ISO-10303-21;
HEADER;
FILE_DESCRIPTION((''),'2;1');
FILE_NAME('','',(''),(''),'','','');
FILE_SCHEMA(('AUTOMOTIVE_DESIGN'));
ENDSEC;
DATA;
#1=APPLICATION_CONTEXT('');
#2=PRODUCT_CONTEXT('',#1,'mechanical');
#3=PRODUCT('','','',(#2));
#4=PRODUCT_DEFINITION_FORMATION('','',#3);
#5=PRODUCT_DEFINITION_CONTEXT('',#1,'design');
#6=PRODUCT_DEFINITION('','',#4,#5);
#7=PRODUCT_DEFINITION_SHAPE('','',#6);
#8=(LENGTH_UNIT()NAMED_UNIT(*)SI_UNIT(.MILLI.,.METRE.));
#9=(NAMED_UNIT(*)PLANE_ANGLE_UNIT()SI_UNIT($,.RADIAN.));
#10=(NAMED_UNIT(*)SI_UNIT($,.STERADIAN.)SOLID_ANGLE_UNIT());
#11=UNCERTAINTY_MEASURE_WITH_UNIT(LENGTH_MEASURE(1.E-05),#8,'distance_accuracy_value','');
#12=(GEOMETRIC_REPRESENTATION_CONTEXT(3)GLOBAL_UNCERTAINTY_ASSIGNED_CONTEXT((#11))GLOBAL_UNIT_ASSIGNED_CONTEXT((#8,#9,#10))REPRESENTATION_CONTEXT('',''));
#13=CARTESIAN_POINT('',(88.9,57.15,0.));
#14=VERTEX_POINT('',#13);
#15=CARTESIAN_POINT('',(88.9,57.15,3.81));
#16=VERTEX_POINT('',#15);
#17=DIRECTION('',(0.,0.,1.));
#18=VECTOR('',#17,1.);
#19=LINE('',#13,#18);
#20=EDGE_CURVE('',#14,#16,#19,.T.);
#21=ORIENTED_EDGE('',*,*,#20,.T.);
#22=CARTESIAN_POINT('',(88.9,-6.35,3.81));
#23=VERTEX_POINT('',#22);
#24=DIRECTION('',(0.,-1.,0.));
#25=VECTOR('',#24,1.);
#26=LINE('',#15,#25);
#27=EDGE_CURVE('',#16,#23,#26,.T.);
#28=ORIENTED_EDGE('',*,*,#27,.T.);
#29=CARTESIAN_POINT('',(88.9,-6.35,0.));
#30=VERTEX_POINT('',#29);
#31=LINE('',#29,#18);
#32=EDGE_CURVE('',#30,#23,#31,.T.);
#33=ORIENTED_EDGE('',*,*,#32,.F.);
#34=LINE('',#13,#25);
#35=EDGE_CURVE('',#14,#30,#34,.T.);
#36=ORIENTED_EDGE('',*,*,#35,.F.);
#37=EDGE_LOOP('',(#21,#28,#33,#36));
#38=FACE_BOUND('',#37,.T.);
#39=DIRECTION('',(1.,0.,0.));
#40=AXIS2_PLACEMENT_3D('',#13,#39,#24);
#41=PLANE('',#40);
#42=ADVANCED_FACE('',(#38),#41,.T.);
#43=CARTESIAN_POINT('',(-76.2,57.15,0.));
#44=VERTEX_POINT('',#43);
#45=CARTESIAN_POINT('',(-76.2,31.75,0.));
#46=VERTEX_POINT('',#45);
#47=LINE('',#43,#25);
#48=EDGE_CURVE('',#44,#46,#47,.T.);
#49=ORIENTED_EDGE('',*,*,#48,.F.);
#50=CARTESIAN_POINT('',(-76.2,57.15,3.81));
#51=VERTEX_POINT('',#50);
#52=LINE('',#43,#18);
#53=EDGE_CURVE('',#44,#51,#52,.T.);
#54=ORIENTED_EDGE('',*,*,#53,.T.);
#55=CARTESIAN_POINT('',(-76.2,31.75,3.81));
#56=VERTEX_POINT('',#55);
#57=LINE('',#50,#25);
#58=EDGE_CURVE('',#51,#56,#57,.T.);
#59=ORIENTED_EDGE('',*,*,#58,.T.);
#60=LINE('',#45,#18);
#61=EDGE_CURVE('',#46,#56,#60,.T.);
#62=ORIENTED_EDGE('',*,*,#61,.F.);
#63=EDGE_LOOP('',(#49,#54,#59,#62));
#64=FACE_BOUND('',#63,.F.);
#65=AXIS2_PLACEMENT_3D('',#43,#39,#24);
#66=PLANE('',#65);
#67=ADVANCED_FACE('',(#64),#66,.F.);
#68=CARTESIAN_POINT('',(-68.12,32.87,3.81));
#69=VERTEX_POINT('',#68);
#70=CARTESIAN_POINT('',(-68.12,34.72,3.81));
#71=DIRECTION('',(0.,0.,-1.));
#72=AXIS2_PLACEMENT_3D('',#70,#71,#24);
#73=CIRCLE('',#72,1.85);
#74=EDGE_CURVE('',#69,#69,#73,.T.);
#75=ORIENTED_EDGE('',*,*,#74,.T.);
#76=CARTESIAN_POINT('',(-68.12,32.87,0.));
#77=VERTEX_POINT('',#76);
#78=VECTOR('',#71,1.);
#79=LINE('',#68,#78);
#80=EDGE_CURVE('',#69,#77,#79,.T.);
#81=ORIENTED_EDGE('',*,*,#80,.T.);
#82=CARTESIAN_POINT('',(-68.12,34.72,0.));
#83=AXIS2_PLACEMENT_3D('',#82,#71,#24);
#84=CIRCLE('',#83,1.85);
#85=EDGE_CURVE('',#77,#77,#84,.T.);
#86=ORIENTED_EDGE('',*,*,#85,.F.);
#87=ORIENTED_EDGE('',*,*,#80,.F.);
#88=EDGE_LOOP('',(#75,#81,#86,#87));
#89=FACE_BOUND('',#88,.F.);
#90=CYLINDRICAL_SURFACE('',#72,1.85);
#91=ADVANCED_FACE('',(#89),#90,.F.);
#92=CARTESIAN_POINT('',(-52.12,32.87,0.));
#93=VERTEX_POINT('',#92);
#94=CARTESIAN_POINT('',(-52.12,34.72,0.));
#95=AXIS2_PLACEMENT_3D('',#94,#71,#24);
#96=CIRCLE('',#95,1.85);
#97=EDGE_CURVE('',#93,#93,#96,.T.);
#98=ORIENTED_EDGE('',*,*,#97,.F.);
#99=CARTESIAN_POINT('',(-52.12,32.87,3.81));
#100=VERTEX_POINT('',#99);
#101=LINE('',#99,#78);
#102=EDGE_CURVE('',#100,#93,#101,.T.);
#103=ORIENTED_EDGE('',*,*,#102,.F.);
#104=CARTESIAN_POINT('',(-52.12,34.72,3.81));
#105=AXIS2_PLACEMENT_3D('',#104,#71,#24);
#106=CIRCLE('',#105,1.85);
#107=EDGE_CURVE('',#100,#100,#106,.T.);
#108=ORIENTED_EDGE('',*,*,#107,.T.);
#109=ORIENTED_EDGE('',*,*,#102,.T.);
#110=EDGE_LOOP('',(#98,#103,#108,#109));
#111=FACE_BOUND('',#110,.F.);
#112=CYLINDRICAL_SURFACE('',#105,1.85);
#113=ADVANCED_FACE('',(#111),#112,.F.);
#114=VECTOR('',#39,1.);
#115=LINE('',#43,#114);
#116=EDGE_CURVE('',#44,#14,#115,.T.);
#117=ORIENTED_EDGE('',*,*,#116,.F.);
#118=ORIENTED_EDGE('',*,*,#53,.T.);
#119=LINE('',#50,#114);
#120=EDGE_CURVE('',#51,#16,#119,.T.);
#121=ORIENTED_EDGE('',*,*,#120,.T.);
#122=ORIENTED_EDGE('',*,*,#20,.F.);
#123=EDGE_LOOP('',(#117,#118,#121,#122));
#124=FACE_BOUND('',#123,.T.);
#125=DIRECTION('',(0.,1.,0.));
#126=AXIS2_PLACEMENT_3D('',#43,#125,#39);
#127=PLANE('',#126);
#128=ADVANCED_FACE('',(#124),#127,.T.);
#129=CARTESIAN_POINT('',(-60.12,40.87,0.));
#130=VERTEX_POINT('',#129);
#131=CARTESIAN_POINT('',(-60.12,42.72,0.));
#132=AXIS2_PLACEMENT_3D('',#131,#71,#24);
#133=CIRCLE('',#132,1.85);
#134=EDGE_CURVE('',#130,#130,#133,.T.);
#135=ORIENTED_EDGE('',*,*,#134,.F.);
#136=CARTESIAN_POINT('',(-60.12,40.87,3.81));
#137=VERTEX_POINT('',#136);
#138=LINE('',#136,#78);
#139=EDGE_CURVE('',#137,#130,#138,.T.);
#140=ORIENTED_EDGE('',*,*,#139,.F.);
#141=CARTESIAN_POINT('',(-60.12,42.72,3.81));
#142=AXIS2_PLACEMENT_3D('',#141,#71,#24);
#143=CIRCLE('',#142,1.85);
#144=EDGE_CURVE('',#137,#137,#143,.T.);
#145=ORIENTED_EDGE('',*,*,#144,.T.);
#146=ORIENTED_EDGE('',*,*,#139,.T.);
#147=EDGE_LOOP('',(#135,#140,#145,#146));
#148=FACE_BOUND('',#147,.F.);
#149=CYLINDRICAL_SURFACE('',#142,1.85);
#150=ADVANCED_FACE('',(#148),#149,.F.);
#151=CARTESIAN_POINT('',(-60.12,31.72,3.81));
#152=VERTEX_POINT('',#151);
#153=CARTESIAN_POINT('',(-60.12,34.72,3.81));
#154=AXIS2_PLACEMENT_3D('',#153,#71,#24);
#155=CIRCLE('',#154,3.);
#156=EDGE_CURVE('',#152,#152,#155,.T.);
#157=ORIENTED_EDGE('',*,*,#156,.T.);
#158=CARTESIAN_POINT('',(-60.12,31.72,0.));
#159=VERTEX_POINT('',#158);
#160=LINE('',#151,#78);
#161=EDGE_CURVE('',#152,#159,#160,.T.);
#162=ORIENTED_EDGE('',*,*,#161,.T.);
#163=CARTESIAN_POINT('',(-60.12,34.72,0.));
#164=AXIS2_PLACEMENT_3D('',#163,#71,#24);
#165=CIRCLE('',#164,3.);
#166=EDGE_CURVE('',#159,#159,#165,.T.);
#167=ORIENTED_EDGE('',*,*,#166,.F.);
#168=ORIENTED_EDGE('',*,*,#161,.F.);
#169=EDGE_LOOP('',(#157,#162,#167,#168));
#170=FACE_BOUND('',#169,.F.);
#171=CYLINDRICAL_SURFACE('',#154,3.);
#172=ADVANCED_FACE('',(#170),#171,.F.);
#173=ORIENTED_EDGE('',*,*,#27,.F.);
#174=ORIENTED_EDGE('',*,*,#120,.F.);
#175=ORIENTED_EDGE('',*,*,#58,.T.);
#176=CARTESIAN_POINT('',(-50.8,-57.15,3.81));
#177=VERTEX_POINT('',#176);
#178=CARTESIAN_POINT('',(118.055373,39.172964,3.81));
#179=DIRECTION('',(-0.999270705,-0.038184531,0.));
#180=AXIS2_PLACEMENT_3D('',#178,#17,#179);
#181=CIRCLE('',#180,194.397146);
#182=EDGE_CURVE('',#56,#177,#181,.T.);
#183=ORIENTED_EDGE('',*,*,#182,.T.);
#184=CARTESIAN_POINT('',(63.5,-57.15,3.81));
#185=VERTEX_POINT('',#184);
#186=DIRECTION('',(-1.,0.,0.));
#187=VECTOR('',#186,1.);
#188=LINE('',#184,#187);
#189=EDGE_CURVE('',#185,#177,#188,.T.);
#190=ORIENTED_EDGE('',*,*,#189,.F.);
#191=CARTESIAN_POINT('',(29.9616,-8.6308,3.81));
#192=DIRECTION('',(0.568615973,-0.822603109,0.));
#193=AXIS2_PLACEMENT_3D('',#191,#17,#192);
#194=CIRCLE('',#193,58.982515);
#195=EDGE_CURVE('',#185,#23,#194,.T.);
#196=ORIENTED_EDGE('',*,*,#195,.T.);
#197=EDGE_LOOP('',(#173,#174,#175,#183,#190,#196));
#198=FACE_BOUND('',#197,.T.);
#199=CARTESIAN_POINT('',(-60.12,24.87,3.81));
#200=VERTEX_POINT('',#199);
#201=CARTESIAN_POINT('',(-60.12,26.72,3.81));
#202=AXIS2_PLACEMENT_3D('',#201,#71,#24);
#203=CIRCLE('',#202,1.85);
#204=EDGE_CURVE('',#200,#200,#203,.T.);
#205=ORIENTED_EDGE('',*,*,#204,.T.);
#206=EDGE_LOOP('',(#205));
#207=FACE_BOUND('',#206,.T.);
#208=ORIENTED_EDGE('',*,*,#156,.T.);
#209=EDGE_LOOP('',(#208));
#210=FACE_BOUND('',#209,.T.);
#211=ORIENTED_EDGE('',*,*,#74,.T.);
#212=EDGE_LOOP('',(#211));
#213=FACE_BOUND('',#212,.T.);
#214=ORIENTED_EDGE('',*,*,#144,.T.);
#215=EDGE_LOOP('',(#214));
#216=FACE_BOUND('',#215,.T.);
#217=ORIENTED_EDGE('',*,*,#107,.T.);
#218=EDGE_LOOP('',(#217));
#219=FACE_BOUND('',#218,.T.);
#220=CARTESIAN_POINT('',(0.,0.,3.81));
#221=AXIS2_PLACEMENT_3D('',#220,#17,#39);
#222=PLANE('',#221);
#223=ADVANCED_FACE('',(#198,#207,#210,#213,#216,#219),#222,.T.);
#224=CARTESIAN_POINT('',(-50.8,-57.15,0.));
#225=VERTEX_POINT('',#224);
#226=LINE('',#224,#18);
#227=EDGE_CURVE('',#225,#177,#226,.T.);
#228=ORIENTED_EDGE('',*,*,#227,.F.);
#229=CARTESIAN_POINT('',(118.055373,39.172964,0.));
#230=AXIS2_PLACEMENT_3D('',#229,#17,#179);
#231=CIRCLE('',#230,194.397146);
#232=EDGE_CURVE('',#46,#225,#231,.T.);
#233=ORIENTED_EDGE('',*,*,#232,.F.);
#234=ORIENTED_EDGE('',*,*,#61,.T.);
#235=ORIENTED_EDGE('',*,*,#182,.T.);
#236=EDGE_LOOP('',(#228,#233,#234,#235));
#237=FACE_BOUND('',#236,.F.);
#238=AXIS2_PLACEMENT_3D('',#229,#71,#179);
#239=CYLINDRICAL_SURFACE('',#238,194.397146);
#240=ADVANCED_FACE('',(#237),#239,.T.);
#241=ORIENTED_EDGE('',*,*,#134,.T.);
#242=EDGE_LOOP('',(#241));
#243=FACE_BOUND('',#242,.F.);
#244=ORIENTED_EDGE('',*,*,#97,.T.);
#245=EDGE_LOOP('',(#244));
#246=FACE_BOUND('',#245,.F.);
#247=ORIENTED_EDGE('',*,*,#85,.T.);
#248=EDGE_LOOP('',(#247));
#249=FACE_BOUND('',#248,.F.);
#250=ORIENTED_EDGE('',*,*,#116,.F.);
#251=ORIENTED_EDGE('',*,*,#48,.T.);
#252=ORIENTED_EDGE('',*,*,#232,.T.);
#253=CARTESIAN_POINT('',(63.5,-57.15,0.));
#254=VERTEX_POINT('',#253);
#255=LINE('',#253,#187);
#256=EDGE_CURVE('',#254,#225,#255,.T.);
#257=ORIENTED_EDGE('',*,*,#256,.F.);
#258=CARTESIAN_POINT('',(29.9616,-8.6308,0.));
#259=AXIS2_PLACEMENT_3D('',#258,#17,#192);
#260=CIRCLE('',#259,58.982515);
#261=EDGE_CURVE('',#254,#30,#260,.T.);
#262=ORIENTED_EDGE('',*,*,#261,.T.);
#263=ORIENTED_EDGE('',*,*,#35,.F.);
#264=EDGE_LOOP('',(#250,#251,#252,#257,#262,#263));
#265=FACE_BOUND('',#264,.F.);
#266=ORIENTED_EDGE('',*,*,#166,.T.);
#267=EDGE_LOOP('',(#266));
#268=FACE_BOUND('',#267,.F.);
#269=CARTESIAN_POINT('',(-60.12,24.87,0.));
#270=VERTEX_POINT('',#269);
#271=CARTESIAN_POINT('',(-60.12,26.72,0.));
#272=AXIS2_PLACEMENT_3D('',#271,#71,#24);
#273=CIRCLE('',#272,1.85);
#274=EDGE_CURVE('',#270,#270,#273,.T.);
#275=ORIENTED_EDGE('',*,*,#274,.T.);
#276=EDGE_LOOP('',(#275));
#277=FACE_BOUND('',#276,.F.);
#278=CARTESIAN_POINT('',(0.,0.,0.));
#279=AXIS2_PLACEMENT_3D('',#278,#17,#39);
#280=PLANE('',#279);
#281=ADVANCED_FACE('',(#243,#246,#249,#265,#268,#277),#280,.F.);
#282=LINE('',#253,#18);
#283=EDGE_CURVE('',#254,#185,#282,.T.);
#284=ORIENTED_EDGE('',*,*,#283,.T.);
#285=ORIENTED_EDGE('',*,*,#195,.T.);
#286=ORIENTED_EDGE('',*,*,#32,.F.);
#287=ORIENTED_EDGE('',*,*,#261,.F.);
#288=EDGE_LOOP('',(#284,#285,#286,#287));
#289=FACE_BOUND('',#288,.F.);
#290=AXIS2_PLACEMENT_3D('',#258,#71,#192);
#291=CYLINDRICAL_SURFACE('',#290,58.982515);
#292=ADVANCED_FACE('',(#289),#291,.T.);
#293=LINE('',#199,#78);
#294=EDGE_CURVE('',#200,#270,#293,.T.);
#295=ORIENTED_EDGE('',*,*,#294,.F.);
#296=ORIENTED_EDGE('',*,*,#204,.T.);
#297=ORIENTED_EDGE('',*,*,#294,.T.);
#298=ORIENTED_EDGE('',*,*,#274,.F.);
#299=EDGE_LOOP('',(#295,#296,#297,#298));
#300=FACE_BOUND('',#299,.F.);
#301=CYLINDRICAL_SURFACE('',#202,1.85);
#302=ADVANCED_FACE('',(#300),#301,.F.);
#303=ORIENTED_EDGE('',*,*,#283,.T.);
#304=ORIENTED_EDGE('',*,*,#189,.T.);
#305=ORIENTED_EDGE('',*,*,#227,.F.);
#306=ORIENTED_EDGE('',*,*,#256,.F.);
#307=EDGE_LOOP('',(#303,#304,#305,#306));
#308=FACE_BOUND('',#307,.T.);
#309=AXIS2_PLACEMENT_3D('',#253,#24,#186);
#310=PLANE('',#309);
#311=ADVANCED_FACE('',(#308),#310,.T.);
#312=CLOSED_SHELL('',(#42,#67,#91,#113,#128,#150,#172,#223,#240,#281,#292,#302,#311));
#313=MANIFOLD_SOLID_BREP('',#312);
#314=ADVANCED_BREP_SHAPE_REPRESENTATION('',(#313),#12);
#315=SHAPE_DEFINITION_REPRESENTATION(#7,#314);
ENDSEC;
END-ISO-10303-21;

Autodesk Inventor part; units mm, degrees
ref_plane "YZ Plane" through (0, 0, 0) normal (1, 0, 0) x (0, 1, 0)
ref_plane "XZ Plane" through (0, 0, 0) normal (0, 1, 0) x (-1, 0, 0)
ref_plane "XY Plane" through (0, 0, 0) normal (0, 0, 1) x (1, 0, 0)
sketch "Sketch1" plane through (0, 0, 0) normal (0, 0, 1) x (1, 0, 0)
  line L0 (-76.2, 57.15) -> (88.9, 57.15)
  line L1 (88.9, -57.15) -> (-76.2, 57.15) construction
  line L2 (-76.2, -57.15) -> (88.9, 57.15) construction
  line L3 (-76.2, 57.15) -> (-76.2, 31.75)
  arc A0 (-76.2, 31.75) -> (-50.8, -57.15) centre (118.0556, 39.173) ccw
  arc A1 (63.5, -57.15) -> (88.9, -6.35) centre (29.9616, -8.6308) ccw
  line L4 (88.9, 57.15) -> (88.9, -6.35)
  line L5 (63.5, -57.15) -> (-50.8, -57.15)
  point P0 (6.35, 0)
  dimension "d21" = 165.1
  dimension "d22" = 114.3
  dimension "d23" = 25.4
  dimension "d24" = 25.4
  dimension "d25" = 50.8
  dimension "d26" = 25.4
extrude "Extrusion1" add sketch "Sketch1" along normal blind 3.81
sketch "Sketch2" plane through (0, 0, 3.81) normal (0, 0, 1) x (1, 0, 0)
  circle A0 centre (-60.12, 42.72) radius 1.75 projected
  circle A1 centre (-52.12, 34.72) radius 1.75 projected
  circle A2 centre (-68.12, 34.72) radius 1.75 projected
  circle A3 centre (-60.12, 26.72) radius 1.75 projected
  circle A4 centre (-60.12, 34.72) radius 2.85 projected
  point P0 (0, 0)
hole "Hole1" at (-60.12, 42.72, 3.81) at (-68.12, 34.72, 3.81) at (-60.12, 26.72, 3.81) at (-52.12, 34.72, 3.81) direction (0, 0, -1) diameter 3.7 end through all
sketch "Sketch3" plane through (0, 0, 3.81) normal (0, 0, 1) x (1, 0, 0)
  circle A0 centre (-60.12, 34.72) radius 2.85 projected
  point P0 (0, 0)
hole "Hole2" at (-60.12, 34.72, 3.81) direction (0, 0, -1) diameter 6 end through all
properties part number "Bucket - door" material "PET Plastic"
